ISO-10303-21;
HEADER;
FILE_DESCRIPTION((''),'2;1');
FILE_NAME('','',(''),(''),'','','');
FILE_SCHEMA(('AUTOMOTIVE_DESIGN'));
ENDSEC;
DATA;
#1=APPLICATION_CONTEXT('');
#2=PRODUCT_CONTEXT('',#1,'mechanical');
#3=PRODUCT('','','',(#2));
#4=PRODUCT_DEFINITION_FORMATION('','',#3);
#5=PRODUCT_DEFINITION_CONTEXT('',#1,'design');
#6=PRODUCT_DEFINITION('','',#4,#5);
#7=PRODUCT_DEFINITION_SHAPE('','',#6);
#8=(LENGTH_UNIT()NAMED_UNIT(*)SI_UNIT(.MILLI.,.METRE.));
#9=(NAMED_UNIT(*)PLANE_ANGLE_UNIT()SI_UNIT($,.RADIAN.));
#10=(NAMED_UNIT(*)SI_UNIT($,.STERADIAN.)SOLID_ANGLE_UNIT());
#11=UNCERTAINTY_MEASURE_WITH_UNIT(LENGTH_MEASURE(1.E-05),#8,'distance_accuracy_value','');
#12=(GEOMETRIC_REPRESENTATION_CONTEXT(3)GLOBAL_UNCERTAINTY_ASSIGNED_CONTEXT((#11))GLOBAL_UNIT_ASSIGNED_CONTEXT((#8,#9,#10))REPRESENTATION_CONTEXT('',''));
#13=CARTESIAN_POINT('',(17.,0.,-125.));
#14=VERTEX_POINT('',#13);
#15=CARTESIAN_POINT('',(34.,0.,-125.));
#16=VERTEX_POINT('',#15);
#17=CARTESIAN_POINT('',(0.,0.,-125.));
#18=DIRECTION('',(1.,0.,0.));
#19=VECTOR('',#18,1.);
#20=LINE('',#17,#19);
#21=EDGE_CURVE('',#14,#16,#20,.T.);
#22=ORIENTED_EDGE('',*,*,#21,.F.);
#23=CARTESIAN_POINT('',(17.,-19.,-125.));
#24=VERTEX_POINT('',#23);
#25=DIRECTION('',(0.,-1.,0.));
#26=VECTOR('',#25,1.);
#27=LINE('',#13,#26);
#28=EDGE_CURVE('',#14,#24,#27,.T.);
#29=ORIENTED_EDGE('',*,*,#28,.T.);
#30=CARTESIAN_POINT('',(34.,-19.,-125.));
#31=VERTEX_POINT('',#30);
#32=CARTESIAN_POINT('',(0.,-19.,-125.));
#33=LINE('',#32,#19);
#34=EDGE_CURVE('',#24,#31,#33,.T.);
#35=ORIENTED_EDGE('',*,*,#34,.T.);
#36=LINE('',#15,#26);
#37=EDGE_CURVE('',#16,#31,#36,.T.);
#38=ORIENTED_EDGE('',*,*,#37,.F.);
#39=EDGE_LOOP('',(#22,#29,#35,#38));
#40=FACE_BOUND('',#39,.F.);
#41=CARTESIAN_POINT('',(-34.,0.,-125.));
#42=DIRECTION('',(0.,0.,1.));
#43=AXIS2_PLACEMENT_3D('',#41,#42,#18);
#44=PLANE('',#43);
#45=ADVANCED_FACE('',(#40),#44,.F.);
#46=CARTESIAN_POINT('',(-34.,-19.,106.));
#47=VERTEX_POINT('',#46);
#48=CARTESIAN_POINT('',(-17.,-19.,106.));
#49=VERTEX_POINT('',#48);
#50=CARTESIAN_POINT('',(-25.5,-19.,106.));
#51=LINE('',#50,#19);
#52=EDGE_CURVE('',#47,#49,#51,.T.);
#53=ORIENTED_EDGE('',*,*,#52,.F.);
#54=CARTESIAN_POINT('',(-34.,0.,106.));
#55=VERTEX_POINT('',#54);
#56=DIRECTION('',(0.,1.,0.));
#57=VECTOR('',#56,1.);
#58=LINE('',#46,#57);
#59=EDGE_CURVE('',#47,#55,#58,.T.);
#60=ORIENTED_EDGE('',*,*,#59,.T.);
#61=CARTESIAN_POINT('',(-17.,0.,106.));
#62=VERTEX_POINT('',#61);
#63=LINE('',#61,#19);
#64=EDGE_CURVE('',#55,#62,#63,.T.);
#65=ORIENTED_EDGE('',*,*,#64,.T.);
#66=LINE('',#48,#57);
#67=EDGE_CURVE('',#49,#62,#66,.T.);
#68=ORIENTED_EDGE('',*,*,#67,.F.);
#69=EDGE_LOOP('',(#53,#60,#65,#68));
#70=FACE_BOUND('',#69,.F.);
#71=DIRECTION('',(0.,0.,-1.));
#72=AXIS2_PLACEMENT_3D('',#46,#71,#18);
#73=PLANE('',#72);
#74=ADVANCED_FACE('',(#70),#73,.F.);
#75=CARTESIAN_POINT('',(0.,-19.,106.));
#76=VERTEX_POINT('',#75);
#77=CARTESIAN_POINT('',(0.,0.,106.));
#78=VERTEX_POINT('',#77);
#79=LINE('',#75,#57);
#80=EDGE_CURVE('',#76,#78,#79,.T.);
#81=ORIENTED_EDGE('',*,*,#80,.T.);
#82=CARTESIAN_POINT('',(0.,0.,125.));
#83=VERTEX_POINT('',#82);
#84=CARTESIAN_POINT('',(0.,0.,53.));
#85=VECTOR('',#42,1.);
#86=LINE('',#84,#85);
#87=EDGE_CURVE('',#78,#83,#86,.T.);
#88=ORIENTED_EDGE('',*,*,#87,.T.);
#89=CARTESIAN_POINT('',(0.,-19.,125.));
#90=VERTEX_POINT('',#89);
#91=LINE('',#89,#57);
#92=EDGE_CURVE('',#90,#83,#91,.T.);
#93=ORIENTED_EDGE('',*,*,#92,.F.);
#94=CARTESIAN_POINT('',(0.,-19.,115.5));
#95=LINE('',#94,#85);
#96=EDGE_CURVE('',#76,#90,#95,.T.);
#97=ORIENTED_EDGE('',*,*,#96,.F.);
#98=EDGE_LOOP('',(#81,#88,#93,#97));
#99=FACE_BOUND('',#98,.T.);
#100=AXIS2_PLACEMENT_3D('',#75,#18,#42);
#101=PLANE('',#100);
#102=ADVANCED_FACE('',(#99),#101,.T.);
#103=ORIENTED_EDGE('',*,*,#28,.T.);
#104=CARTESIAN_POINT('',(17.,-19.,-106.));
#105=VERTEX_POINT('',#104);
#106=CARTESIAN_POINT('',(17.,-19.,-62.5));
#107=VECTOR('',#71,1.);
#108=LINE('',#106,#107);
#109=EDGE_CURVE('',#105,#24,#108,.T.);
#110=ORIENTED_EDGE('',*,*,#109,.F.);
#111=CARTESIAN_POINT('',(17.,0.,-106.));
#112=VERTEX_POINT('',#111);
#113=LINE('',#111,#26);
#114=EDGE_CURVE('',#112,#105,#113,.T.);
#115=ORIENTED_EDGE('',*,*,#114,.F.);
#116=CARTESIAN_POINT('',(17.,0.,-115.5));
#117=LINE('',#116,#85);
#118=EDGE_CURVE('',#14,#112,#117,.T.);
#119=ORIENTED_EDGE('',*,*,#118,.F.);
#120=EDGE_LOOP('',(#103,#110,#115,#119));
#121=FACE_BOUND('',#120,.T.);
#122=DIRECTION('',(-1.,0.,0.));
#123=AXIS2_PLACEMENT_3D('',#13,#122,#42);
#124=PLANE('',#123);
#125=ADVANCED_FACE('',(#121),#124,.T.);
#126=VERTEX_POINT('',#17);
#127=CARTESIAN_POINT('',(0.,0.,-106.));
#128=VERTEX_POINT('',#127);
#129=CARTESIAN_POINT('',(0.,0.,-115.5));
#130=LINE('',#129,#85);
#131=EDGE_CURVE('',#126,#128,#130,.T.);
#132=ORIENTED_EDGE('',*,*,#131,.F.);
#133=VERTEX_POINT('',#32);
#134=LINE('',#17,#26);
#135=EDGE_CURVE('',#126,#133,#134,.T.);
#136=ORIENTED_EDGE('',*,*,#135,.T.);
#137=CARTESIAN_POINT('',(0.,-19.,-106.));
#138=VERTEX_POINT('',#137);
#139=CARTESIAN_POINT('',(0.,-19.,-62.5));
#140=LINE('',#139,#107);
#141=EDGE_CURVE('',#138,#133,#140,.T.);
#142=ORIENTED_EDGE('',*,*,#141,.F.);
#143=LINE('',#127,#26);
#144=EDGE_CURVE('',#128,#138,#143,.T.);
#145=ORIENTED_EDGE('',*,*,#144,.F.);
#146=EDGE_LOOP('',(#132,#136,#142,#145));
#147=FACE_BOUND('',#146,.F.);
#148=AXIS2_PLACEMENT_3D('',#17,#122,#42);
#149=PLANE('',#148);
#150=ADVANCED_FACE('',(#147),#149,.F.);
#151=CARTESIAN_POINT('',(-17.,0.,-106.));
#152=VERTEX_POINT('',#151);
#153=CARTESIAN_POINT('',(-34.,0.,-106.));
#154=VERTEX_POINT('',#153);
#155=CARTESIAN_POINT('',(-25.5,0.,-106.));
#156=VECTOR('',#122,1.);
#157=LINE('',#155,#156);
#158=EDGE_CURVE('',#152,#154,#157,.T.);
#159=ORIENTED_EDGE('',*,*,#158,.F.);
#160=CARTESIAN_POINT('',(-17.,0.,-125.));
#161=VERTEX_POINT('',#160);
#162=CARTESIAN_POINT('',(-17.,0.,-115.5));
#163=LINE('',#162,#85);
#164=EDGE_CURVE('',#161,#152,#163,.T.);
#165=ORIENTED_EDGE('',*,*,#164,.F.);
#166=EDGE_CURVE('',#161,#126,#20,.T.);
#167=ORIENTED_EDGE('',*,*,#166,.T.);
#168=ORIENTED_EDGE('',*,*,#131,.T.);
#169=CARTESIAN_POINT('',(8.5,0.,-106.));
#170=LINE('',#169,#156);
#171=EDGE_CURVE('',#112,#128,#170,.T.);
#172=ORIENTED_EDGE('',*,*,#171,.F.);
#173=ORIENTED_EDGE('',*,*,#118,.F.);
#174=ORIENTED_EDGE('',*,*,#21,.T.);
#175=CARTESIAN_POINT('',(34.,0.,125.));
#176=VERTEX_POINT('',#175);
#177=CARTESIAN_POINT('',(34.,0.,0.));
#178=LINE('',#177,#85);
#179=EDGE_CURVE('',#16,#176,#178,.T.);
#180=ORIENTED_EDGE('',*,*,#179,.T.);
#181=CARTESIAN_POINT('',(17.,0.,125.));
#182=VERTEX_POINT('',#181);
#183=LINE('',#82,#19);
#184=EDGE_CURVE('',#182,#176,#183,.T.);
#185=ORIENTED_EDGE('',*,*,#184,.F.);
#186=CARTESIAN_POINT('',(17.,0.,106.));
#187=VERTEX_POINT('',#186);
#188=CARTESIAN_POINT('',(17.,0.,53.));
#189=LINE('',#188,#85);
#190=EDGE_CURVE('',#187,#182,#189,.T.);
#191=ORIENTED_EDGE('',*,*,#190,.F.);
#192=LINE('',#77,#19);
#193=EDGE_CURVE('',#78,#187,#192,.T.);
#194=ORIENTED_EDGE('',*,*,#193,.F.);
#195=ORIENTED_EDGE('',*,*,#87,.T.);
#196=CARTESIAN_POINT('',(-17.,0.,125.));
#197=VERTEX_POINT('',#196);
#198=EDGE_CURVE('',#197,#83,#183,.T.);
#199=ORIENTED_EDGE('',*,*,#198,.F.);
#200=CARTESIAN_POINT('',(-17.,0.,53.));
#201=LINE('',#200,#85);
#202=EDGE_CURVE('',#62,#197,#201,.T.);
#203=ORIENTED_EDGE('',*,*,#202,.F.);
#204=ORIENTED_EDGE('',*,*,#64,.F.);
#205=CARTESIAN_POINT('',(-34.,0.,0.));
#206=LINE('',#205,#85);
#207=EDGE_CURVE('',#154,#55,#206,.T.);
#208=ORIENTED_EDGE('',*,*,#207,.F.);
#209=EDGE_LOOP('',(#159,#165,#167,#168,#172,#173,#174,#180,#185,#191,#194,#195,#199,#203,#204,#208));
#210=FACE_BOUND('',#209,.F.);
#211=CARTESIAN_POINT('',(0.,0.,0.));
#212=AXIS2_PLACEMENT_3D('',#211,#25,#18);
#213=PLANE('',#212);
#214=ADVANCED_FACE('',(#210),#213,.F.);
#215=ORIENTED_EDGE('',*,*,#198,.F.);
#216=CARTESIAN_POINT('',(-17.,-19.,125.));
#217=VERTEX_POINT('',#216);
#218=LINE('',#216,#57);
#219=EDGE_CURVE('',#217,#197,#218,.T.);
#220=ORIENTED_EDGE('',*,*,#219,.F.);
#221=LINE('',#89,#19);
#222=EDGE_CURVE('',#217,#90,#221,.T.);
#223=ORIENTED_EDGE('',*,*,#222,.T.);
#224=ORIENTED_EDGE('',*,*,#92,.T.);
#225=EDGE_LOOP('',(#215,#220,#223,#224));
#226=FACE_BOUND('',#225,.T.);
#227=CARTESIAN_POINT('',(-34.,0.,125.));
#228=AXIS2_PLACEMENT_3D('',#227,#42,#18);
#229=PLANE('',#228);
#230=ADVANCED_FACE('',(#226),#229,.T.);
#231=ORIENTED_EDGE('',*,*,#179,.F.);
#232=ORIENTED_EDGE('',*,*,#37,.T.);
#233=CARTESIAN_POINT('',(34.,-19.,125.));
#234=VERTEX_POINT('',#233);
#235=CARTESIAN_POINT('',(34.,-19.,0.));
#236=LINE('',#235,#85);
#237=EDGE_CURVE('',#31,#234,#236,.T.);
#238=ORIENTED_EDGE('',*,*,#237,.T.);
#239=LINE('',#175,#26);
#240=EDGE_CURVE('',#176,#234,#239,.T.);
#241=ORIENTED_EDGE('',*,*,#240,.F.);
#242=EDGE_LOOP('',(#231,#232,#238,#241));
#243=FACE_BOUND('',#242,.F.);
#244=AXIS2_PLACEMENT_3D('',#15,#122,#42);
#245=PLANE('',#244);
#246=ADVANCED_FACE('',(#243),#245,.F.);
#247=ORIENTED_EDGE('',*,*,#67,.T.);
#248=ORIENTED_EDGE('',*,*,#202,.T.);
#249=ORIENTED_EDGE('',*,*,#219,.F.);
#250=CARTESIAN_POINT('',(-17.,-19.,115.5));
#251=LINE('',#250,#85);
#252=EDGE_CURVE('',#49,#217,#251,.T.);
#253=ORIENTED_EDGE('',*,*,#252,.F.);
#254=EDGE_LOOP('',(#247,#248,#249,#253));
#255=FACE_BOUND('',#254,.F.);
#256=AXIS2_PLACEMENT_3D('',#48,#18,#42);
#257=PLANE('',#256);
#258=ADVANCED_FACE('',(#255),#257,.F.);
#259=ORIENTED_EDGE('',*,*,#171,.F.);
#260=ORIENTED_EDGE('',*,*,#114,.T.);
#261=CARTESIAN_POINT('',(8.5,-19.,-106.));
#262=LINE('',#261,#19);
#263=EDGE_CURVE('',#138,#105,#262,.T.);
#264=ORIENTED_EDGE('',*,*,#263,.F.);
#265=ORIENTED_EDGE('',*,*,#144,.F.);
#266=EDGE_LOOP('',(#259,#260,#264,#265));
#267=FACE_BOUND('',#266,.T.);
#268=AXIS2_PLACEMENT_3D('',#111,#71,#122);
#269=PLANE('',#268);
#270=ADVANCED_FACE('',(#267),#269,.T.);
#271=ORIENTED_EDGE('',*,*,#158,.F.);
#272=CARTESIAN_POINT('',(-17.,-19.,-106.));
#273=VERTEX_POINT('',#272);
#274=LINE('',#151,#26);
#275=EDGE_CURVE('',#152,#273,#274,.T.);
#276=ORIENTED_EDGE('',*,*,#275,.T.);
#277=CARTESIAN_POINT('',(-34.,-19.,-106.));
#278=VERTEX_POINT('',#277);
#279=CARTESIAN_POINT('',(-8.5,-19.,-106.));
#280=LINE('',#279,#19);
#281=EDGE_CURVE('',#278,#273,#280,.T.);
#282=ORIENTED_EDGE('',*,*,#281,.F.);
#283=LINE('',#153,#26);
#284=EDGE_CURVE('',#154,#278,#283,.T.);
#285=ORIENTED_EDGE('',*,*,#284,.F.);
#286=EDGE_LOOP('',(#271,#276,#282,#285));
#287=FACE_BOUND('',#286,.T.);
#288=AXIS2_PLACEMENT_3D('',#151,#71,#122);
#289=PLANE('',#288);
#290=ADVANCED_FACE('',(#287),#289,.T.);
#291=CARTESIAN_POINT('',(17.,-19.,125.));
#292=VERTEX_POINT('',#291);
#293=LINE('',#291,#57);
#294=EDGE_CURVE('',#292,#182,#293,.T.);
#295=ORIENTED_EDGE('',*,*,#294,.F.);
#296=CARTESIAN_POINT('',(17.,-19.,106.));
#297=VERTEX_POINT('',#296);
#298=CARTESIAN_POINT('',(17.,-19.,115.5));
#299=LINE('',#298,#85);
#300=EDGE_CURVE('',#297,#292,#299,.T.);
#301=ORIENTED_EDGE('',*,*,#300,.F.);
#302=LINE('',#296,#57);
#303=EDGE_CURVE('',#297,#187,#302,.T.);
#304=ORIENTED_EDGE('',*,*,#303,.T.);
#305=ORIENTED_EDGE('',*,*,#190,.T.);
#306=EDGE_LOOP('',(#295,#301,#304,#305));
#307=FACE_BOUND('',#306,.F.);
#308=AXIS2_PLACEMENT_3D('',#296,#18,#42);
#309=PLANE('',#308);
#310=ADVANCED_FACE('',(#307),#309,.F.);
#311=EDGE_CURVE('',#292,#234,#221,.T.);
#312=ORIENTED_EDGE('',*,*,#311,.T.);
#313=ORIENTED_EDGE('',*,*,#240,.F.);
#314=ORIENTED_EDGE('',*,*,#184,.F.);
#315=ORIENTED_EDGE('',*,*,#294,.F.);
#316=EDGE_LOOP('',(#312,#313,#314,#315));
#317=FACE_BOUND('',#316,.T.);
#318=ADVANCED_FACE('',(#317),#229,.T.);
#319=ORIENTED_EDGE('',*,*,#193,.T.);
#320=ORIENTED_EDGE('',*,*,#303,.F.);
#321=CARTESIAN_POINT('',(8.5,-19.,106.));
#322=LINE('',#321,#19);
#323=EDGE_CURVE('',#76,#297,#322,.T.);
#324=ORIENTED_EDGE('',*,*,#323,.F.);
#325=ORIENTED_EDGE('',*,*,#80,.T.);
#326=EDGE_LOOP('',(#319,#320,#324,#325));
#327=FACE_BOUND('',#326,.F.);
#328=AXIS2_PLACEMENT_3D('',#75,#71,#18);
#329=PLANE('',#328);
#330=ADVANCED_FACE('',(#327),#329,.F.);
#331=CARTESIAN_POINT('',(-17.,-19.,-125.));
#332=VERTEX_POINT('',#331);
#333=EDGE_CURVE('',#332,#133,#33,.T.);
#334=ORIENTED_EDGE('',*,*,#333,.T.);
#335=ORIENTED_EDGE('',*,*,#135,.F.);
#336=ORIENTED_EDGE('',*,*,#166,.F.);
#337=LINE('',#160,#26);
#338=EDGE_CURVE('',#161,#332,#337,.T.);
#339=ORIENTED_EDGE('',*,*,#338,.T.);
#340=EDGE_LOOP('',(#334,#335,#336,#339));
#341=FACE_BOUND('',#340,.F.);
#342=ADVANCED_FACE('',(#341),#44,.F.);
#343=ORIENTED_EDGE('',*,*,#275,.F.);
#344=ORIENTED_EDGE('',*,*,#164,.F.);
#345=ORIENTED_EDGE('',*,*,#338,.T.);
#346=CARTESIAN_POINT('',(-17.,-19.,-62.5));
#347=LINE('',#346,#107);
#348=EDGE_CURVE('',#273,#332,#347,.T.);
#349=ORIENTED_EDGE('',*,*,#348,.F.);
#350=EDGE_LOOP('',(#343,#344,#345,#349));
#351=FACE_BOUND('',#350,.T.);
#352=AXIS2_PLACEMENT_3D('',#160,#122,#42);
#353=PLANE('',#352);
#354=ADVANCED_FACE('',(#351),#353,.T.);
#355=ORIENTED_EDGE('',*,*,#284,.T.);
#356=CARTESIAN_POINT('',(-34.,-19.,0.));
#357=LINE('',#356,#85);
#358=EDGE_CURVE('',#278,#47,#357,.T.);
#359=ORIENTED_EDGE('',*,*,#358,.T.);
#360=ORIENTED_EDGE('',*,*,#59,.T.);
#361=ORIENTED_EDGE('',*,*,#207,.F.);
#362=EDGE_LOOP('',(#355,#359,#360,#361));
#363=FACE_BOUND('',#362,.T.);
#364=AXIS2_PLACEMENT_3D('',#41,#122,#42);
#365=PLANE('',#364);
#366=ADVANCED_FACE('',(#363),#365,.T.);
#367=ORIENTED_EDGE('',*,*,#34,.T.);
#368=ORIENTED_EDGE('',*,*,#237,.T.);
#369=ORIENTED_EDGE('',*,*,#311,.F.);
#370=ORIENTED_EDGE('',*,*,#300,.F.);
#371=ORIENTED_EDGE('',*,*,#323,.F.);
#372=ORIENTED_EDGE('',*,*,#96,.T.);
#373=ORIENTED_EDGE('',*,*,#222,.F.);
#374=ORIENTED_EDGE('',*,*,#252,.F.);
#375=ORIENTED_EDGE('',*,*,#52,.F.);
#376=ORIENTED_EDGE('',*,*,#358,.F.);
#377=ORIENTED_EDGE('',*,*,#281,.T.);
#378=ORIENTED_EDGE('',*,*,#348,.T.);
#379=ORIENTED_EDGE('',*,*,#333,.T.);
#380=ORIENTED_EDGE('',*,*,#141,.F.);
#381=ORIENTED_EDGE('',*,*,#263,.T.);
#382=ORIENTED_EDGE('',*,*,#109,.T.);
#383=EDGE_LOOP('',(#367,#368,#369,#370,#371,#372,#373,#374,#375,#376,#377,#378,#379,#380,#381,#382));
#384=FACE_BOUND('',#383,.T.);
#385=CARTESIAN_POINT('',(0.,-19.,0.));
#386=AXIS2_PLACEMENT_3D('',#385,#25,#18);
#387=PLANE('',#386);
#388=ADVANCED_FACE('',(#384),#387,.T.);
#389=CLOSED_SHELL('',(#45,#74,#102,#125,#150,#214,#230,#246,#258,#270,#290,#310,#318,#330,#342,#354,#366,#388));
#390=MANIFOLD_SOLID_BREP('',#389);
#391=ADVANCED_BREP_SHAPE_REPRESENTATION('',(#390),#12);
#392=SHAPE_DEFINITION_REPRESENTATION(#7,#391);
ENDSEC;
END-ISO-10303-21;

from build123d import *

# Parameters (mm, degrees)
F0_W     = 68
F0_H     = 250
F1_DEPTH = 19
F2_W     = 17
F2_H     = 19
F3_DEPTH = 19.001
F4_W     = 17
F4_H     = 19
F5_DEPTH = 19.001


with BuildPart() as f1:
    # F0 (on Front) → F1 (new body)
    with BuildSketch(Plane.XZ):
        Rectangle(F0_W, F0_H)
    extrude(amount=F1_DEPTH)

    # F2 (on face) → F3 (cut, through all)
    with BuildSketch(Plane.XZ.offset(19)):
        with Locations((8.5, 115.5)):
            Rectangle(F2_W, F2_H)
        with Locations((-25.5, 115.5)):
            Rectangle(F2_W, F2_H)
    extrude(amount=-F3_DEPTH, mode=Mode.SUBTRACT)

    # F4 (on face) → F5 (cut, through all)
    with BuildSketch(Plane(origin=(0, 0, 0), x_dir=(-1, 0, 0), z_dir=(0, 1, 0))):
        with Locations((25.5, -115.5)):
            Rectangle(F4_W, F4_H)
        with Locations((-8.5, -115.5)):
            Rectangle(F4_W, F4_H)
    extrude(amount=-F5_DEPTH, mode=Mode.SUBTRACT)


solid = f1.part
